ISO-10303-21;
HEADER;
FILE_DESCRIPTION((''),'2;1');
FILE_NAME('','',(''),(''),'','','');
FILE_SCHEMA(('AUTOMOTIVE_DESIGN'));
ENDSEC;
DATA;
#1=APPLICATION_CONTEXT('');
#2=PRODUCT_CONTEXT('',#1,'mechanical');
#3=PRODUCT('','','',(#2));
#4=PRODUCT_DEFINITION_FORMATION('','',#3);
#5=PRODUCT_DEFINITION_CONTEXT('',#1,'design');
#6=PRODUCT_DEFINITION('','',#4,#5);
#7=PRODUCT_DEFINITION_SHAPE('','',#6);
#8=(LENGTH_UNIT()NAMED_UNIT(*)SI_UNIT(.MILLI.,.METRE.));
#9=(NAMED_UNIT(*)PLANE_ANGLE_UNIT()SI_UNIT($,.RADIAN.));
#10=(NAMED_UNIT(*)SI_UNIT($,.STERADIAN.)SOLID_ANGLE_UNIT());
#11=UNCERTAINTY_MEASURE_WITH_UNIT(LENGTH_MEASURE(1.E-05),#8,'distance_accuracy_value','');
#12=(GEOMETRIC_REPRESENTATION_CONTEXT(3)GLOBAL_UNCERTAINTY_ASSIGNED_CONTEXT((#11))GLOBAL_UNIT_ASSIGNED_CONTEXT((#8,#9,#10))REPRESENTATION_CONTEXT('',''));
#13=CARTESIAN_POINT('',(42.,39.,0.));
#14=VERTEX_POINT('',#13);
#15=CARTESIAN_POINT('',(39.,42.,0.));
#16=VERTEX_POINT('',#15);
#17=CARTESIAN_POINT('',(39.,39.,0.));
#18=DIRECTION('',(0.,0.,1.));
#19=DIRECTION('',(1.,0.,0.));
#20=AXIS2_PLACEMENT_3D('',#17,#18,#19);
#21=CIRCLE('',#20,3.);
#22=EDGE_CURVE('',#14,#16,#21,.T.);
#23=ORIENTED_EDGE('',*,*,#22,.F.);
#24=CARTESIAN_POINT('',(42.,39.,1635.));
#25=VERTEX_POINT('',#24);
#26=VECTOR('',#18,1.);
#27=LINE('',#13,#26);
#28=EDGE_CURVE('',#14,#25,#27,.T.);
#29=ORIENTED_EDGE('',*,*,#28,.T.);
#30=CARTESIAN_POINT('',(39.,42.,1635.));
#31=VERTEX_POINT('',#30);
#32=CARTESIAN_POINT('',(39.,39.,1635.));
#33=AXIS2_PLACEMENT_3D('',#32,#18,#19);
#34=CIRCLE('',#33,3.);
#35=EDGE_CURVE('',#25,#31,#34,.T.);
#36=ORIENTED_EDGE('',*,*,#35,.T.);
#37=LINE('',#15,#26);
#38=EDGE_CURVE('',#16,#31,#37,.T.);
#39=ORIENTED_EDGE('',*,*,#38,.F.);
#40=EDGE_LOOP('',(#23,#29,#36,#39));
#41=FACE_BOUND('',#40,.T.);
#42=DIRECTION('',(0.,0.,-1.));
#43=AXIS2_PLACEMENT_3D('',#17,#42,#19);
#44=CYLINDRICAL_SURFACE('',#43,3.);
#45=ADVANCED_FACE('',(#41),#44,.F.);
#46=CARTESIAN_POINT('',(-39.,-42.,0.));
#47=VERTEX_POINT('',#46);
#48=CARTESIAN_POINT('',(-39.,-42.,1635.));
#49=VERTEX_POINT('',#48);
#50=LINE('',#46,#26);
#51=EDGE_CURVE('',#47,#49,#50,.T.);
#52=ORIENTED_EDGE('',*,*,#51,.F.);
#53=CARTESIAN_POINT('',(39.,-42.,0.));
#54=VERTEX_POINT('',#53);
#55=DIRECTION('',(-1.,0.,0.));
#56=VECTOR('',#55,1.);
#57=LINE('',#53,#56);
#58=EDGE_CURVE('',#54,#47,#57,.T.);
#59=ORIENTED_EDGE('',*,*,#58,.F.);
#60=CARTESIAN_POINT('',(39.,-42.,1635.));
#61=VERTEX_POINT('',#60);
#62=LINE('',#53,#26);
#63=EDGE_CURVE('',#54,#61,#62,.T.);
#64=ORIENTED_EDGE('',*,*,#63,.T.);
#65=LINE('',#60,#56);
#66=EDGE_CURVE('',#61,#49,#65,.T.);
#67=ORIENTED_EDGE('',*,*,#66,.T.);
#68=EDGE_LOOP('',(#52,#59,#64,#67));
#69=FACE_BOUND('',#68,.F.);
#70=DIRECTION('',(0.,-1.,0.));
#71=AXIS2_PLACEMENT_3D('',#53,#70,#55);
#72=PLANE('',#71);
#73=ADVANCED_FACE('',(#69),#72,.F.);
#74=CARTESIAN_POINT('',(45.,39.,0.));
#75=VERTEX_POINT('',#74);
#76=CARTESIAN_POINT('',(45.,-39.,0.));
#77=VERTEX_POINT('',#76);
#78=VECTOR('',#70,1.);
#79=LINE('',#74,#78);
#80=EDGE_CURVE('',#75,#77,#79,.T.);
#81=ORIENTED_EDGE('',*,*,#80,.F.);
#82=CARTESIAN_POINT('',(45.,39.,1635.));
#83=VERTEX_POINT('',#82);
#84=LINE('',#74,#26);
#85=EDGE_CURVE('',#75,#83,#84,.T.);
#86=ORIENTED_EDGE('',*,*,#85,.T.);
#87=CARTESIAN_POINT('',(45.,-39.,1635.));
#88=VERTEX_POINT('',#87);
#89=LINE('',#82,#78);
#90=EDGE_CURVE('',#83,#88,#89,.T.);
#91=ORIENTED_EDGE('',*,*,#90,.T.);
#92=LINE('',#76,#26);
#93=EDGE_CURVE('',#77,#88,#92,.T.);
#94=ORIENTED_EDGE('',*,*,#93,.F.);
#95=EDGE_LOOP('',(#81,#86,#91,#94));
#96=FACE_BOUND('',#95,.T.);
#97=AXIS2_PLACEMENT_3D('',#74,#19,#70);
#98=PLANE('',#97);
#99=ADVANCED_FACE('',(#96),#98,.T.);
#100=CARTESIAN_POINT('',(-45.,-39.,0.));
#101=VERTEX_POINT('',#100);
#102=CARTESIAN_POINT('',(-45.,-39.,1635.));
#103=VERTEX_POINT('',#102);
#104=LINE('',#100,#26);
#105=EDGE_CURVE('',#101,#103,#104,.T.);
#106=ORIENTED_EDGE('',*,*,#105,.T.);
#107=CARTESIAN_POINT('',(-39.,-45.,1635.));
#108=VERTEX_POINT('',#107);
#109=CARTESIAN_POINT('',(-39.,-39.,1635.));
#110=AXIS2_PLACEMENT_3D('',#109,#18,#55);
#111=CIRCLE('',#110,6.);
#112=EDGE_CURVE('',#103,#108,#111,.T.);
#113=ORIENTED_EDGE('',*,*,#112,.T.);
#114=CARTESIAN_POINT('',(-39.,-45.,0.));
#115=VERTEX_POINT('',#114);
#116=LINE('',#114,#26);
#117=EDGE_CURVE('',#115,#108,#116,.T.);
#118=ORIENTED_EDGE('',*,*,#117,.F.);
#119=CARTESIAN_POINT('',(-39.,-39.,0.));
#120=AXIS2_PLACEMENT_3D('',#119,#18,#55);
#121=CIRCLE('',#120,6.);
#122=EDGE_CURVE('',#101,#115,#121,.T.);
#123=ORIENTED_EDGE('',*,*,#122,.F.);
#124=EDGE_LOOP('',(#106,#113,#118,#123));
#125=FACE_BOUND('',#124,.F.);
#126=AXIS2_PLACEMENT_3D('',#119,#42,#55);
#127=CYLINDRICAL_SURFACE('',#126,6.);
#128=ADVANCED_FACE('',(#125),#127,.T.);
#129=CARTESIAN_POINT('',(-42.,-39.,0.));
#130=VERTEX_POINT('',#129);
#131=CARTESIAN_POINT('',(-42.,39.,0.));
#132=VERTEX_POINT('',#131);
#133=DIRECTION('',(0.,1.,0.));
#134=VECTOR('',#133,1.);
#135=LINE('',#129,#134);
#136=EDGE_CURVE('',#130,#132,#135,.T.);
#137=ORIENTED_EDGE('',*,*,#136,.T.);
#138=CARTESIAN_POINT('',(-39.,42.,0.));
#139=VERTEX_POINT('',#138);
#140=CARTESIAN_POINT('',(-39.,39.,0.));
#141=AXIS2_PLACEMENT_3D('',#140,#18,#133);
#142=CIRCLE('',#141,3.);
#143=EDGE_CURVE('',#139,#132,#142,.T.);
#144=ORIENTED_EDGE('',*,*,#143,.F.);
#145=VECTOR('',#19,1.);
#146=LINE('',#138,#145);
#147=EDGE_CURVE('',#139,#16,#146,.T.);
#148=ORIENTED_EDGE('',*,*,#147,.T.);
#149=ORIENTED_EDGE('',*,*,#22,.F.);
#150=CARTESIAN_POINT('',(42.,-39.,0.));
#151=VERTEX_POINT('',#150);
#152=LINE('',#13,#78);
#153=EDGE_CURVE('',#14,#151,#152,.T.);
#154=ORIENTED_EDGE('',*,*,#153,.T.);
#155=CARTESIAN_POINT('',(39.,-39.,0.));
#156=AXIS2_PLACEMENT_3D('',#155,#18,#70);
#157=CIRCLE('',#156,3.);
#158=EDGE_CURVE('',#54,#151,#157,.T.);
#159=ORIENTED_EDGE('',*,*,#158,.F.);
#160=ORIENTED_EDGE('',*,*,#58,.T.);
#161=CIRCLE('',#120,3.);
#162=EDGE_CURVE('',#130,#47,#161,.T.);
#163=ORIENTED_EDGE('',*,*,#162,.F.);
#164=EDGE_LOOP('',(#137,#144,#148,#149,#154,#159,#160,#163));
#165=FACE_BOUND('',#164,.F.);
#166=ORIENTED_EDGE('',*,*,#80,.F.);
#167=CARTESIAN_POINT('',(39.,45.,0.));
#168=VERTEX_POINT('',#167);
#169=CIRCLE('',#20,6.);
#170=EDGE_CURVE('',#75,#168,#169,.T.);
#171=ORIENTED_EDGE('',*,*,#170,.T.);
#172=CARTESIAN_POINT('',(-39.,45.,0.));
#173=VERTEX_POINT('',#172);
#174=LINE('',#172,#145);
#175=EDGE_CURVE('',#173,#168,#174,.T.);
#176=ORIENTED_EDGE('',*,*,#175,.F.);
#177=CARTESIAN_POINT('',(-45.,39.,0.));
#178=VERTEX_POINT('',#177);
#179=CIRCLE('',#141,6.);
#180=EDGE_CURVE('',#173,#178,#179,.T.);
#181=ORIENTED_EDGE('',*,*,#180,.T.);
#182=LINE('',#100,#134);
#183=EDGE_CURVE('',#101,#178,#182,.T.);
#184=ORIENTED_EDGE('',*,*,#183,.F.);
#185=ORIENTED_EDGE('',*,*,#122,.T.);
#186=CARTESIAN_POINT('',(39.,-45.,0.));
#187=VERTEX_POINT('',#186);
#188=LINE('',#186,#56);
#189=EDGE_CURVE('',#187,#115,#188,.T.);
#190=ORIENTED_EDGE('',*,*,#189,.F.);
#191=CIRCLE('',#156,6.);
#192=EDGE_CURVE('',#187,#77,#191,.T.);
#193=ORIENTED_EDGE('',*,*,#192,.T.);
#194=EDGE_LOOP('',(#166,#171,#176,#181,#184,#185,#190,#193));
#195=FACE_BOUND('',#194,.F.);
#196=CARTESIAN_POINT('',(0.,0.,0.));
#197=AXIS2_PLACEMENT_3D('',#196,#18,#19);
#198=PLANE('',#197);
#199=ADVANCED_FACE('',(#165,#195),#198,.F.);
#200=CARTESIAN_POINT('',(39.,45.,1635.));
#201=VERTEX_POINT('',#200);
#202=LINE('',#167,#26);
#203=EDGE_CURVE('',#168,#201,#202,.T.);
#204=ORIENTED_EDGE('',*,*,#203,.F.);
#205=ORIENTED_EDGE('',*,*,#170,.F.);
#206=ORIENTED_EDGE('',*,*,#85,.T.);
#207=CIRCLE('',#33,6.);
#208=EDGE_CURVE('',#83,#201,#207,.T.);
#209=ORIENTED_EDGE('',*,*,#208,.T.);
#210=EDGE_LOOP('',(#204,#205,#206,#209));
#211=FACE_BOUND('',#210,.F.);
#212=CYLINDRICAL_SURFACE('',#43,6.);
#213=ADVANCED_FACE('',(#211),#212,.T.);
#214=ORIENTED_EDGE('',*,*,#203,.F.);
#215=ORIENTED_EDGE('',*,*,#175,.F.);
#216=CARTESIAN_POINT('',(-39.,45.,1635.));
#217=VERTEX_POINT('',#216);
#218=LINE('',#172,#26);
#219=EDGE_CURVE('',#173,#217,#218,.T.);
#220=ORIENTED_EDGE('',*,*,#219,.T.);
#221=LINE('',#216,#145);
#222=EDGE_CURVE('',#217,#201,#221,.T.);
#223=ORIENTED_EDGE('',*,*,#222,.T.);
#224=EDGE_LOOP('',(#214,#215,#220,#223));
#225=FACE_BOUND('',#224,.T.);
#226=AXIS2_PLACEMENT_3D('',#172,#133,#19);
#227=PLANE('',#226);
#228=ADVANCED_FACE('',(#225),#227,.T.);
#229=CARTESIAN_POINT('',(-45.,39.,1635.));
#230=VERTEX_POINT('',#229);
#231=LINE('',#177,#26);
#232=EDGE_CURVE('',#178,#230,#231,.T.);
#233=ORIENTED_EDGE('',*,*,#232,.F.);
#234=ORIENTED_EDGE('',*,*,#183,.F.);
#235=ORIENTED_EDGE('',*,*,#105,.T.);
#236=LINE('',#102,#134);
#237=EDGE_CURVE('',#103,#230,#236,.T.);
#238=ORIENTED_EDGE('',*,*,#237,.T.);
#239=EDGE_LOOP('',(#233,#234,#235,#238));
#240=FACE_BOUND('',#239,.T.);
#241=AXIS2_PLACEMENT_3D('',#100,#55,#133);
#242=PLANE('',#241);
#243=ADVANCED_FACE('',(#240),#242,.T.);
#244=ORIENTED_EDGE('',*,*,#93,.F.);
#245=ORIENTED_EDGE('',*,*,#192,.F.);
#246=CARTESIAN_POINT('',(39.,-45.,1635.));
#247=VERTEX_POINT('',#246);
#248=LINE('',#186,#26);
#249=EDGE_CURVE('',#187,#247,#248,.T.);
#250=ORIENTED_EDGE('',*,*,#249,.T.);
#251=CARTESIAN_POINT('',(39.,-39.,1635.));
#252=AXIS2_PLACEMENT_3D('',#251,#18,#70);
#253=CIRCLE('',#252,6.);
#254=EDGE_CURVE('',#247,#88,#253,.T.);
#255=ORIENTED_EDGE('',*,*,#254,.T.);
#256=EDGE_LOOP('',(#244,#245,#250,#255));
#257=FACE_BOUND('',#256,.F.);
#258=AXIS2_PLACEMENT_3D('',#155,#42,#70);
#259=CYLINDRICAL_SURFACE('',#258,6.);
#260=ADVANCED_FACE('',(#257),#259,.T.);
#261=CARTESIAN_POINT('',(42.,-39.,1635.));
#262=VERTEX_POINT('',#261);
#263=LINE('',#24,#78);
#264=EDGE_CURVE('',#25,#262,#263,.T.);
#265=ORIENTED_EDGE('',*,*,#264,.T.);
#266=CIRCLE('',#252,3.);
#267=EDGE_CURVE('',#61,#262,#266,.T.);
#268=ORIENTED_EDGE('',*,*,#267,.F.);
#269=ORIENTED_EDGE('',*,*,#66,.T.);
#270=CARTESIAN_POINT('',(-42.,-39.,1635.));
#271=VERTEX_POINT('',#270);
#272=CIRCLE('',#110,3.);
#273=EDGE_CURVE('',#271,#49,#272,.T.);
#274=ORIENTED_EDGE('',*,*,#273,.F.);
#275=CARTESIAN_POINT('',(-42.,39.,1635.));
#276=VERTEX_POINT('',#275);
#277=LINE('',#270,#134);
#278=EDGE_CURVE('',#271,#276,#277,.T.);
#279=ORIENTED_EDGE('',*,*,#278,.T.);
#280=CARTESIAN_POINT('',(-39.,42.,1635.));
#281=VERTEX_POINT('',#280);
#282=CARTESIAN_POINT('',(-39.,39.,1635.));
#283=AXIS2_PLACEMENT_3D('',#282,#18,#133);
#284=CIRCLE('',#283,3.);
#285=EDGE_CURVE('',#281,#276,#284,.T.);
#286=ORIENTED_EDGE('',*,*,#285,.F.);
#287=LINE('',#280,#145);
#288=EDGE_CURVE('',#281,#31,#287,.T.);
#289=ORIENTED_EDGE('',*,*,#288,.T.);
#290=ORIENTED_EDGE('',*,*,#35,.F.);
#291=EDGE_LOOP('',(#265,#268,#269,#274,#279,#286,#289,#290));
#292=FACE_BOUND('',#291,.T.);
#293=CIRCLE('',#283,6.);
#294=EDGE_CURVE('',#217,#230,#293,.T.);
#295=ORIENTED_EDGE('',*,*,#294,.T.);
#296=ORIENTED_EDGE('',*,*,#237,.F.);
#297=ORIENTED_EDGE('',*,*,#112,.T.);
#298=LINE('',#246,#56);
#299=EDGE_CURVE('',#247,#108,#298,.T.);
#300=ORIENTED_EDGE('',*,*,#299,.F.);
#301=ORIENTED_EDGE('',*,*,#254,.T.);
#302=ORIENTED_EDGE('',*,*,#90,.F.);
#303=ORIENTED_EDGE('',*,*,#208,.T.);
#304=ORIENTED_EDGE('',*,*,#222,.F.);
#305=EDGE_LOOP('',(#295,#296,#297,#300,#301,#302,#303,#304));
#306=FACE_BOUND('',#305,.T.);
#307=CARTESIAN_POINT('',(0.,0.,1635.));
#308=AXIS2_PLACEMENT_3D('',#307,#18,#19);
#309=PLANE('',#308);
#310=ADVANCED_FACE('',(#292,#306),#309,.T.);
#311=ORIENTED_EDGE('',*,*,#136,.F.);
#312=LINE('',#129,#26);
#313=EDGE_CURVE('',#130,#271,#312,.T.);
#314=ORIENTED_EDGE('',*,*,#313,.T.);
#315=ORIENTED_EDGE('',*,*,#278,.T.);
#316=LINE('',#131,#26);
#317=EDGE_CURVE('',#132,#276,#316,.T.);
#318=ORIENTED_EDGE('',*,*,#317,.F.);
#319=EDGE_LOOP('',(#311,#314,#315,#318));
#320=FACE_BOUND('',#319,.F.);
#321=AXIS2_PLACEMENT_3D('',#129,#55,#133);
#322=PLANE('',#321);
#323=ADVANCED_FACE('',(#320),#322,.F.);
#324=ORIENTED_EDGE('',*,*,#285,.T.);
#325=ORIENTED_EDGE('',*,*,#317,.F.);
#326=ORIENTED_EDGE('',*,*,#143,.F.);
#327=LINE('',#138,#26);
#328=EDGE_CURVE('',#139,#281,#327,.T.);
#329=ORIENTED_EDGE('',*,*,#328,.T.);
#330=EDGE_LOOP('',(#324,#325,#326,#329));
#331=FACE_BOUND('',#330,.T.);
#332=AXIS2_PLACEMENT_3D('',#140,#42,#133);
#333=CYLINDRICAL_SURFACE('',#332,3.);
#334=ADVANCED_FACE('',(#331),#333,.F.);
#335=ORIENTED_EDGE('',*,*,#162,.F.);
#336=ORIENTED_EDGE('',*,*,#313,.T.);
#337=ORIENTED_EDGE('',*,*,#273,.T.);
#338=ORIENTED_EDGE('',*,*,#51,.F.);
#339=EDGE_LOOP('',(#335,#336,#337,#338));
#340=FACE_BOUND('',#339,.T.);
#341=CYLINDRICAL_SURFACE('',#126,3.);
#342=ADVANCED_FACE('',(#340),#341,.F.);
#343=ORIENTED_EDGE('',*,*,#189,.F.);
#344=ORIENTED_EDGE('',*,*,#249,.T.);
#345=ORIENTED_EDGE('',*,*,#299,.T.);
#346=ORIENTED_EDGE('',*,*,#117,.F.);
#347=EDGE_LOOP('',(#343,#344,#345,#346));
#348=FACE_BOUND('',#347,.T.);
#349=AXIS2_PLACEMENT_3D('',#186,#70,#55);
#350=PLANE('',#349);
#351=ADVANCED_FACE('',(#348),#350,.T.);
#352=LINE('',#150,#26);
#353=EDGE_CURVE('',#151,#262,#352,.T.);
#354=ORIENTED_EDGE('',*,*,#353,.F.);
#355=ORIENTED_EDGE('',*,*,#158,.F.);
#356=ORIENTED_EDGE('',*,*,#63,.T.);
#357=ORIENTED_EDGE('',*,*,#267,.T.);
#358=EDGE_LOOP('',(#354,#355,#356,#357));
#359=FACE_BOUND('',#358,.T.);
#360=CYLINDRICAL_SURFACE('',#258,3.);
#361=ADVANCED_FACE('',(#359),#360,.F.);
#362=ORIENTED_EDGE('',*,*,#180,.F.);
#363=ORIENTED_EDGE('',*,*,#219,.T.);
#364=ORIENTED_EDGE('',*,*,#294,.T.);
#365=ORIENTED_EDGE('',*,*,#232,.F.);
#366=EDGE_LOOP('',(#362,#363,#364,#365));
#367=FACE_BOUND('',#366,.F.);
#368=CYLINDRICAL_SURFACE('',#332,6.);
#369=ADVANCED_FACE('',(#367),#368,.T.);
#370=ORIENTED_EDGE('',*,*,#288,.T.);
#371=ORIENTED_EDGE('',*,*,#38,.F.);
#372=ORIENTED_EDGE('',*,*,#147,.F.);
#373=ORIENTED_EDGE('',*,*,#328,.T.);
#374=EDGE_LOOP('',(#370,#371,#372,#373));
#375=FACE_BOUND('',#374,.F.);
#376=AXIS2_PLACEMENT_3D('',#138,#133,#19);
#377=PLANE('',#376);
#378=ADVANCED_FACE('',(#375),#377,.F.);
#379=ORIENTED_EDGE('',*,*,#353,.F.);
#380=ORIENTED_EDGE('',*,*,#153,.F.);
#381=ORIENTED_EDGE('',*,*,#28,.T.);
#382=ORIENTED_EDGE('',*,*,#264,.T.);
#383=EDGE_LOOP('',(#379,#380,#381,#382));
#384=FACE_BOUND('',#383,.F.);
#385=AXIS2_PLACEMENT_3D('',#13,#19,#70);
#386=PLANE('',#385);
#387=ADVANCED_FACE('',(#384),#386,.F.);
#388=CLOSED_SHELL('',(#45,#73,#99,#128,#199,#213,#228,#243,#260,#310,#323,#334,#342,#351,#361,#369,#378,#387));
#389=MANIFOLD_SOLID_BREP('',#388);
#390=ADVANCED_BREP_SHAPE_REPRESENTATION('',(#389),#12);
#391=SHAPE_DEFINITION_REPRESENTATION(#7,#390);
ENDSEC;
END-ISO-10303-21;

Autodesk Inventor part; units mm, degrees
ref_plane "YZ Plane" through (0, 0, 0) normal (1, 0, 0) x (0, 1, 0)
ref_plane "Start Plane" through (0, 0, 0) normal (0, 0, 1) x (1, 0, 0)
ref_plane "End Plane" through (0, 0, 1635) normal (0, 0, 1) x (1, 0, 0)
sketch "Sketch" plane through (0, 0, 0) normal (0, 0, 1) x (1, 0, 0)
  line L0 (-45, -39) -> (-45, 39)
  line L1 (-39, 45) -> (39, 45)
  line L2 (45, 39) -> (45, -39)
  line L3 (39, -45) -> (-39, -45)
  arc A0 (-45, -39) -> (-39, -45) centre (-39, -39) ccw
  arc A1 (45, 39) -> (39, 45) centre (39, 39) ccw
  arc A2 (-39, 45) -> (-45, 39) centre (-39, 39) ccw
  arc A3 (39, -45) -> (45, -39) centre (39, -39) ccw
  arc A4 (-39, 42) -> (-42, 39) centre (-39, 39) ccw
  line L4 (-39, 42) -> (39, 42)
  arc A5 (42, 39) -> (39, 42) centre (39, 39) ccw
  line L5 (42, 39) -> (42, -39)
  arc A6 (39, -42) -> (42, -39) centre (39, -39) ccw
  line L6 (39, -42) -> (-39, -42)
  arc A7 (-42, -39) -> (-39, -42) centre (-39, -39) ccw
  line L7 (-42, -39) -> (-42, 39)
  line L8 (0, 64.7397) -> (0, -64.7397) construction
  line L9 (-64.7397, 0) -> (64.7397, 0) construction
  dimension "d7" = 6
  dimension "d9" = 90
  dimension "d11" = 90
  dimension "d12" = 3
  dimension "d15" = 45
  dimension "d16" = 45
extrude "Body" add sketch "Sketch" along normal up to surface (1635 mm away) from surface at 0
sketch "Sketch3" plane through (0, 0, 0) normal (0, 0, 1) x (1, 0, 0)
  line L0 (0, 0) -> (10, 0)
ref_plane "Work Plane3" through (0, 0, 0) normal (0, -1, 0) x (1, 0, 0)
sketch "Sketch4" plane through (0, 0, 0) normal (0, -1, 0) x (1, 0, 0)
  line L0 (-2, 0) -> (12, 0)
  line L1 (-2, 1635) -> (12, 1635)
  dimension "d18" = 1635
equation "\"d7\" = G_IR"
equation "\"d9\" = G_W"
equation "\"d11\" = G_H"
equation "\"d12\" = G_T"
equation "\"d15\" = 0.5 * d9"
equation "\"d16\" = 0.5 * d11"
equation "\"d3\" = G_L"
equation "\"G_W\" = 90"
equation "\"G_H\" = 90"
equation "\"G_T\" = 3"
equation "\"G_IR\" = 6"
equation "\"G_L\" = d18"
equation "\"G_OFFSET_START\" = 0"
equation "\"G_OFFSET_END\" = 0"
equation "\"d14\" = G_OFFSET_END + B_L"
equation "\"B_L\" = 1635"
properties part number "ISO 10799-2 - 90x90x3 - 1635" material "Steel, Mild"
